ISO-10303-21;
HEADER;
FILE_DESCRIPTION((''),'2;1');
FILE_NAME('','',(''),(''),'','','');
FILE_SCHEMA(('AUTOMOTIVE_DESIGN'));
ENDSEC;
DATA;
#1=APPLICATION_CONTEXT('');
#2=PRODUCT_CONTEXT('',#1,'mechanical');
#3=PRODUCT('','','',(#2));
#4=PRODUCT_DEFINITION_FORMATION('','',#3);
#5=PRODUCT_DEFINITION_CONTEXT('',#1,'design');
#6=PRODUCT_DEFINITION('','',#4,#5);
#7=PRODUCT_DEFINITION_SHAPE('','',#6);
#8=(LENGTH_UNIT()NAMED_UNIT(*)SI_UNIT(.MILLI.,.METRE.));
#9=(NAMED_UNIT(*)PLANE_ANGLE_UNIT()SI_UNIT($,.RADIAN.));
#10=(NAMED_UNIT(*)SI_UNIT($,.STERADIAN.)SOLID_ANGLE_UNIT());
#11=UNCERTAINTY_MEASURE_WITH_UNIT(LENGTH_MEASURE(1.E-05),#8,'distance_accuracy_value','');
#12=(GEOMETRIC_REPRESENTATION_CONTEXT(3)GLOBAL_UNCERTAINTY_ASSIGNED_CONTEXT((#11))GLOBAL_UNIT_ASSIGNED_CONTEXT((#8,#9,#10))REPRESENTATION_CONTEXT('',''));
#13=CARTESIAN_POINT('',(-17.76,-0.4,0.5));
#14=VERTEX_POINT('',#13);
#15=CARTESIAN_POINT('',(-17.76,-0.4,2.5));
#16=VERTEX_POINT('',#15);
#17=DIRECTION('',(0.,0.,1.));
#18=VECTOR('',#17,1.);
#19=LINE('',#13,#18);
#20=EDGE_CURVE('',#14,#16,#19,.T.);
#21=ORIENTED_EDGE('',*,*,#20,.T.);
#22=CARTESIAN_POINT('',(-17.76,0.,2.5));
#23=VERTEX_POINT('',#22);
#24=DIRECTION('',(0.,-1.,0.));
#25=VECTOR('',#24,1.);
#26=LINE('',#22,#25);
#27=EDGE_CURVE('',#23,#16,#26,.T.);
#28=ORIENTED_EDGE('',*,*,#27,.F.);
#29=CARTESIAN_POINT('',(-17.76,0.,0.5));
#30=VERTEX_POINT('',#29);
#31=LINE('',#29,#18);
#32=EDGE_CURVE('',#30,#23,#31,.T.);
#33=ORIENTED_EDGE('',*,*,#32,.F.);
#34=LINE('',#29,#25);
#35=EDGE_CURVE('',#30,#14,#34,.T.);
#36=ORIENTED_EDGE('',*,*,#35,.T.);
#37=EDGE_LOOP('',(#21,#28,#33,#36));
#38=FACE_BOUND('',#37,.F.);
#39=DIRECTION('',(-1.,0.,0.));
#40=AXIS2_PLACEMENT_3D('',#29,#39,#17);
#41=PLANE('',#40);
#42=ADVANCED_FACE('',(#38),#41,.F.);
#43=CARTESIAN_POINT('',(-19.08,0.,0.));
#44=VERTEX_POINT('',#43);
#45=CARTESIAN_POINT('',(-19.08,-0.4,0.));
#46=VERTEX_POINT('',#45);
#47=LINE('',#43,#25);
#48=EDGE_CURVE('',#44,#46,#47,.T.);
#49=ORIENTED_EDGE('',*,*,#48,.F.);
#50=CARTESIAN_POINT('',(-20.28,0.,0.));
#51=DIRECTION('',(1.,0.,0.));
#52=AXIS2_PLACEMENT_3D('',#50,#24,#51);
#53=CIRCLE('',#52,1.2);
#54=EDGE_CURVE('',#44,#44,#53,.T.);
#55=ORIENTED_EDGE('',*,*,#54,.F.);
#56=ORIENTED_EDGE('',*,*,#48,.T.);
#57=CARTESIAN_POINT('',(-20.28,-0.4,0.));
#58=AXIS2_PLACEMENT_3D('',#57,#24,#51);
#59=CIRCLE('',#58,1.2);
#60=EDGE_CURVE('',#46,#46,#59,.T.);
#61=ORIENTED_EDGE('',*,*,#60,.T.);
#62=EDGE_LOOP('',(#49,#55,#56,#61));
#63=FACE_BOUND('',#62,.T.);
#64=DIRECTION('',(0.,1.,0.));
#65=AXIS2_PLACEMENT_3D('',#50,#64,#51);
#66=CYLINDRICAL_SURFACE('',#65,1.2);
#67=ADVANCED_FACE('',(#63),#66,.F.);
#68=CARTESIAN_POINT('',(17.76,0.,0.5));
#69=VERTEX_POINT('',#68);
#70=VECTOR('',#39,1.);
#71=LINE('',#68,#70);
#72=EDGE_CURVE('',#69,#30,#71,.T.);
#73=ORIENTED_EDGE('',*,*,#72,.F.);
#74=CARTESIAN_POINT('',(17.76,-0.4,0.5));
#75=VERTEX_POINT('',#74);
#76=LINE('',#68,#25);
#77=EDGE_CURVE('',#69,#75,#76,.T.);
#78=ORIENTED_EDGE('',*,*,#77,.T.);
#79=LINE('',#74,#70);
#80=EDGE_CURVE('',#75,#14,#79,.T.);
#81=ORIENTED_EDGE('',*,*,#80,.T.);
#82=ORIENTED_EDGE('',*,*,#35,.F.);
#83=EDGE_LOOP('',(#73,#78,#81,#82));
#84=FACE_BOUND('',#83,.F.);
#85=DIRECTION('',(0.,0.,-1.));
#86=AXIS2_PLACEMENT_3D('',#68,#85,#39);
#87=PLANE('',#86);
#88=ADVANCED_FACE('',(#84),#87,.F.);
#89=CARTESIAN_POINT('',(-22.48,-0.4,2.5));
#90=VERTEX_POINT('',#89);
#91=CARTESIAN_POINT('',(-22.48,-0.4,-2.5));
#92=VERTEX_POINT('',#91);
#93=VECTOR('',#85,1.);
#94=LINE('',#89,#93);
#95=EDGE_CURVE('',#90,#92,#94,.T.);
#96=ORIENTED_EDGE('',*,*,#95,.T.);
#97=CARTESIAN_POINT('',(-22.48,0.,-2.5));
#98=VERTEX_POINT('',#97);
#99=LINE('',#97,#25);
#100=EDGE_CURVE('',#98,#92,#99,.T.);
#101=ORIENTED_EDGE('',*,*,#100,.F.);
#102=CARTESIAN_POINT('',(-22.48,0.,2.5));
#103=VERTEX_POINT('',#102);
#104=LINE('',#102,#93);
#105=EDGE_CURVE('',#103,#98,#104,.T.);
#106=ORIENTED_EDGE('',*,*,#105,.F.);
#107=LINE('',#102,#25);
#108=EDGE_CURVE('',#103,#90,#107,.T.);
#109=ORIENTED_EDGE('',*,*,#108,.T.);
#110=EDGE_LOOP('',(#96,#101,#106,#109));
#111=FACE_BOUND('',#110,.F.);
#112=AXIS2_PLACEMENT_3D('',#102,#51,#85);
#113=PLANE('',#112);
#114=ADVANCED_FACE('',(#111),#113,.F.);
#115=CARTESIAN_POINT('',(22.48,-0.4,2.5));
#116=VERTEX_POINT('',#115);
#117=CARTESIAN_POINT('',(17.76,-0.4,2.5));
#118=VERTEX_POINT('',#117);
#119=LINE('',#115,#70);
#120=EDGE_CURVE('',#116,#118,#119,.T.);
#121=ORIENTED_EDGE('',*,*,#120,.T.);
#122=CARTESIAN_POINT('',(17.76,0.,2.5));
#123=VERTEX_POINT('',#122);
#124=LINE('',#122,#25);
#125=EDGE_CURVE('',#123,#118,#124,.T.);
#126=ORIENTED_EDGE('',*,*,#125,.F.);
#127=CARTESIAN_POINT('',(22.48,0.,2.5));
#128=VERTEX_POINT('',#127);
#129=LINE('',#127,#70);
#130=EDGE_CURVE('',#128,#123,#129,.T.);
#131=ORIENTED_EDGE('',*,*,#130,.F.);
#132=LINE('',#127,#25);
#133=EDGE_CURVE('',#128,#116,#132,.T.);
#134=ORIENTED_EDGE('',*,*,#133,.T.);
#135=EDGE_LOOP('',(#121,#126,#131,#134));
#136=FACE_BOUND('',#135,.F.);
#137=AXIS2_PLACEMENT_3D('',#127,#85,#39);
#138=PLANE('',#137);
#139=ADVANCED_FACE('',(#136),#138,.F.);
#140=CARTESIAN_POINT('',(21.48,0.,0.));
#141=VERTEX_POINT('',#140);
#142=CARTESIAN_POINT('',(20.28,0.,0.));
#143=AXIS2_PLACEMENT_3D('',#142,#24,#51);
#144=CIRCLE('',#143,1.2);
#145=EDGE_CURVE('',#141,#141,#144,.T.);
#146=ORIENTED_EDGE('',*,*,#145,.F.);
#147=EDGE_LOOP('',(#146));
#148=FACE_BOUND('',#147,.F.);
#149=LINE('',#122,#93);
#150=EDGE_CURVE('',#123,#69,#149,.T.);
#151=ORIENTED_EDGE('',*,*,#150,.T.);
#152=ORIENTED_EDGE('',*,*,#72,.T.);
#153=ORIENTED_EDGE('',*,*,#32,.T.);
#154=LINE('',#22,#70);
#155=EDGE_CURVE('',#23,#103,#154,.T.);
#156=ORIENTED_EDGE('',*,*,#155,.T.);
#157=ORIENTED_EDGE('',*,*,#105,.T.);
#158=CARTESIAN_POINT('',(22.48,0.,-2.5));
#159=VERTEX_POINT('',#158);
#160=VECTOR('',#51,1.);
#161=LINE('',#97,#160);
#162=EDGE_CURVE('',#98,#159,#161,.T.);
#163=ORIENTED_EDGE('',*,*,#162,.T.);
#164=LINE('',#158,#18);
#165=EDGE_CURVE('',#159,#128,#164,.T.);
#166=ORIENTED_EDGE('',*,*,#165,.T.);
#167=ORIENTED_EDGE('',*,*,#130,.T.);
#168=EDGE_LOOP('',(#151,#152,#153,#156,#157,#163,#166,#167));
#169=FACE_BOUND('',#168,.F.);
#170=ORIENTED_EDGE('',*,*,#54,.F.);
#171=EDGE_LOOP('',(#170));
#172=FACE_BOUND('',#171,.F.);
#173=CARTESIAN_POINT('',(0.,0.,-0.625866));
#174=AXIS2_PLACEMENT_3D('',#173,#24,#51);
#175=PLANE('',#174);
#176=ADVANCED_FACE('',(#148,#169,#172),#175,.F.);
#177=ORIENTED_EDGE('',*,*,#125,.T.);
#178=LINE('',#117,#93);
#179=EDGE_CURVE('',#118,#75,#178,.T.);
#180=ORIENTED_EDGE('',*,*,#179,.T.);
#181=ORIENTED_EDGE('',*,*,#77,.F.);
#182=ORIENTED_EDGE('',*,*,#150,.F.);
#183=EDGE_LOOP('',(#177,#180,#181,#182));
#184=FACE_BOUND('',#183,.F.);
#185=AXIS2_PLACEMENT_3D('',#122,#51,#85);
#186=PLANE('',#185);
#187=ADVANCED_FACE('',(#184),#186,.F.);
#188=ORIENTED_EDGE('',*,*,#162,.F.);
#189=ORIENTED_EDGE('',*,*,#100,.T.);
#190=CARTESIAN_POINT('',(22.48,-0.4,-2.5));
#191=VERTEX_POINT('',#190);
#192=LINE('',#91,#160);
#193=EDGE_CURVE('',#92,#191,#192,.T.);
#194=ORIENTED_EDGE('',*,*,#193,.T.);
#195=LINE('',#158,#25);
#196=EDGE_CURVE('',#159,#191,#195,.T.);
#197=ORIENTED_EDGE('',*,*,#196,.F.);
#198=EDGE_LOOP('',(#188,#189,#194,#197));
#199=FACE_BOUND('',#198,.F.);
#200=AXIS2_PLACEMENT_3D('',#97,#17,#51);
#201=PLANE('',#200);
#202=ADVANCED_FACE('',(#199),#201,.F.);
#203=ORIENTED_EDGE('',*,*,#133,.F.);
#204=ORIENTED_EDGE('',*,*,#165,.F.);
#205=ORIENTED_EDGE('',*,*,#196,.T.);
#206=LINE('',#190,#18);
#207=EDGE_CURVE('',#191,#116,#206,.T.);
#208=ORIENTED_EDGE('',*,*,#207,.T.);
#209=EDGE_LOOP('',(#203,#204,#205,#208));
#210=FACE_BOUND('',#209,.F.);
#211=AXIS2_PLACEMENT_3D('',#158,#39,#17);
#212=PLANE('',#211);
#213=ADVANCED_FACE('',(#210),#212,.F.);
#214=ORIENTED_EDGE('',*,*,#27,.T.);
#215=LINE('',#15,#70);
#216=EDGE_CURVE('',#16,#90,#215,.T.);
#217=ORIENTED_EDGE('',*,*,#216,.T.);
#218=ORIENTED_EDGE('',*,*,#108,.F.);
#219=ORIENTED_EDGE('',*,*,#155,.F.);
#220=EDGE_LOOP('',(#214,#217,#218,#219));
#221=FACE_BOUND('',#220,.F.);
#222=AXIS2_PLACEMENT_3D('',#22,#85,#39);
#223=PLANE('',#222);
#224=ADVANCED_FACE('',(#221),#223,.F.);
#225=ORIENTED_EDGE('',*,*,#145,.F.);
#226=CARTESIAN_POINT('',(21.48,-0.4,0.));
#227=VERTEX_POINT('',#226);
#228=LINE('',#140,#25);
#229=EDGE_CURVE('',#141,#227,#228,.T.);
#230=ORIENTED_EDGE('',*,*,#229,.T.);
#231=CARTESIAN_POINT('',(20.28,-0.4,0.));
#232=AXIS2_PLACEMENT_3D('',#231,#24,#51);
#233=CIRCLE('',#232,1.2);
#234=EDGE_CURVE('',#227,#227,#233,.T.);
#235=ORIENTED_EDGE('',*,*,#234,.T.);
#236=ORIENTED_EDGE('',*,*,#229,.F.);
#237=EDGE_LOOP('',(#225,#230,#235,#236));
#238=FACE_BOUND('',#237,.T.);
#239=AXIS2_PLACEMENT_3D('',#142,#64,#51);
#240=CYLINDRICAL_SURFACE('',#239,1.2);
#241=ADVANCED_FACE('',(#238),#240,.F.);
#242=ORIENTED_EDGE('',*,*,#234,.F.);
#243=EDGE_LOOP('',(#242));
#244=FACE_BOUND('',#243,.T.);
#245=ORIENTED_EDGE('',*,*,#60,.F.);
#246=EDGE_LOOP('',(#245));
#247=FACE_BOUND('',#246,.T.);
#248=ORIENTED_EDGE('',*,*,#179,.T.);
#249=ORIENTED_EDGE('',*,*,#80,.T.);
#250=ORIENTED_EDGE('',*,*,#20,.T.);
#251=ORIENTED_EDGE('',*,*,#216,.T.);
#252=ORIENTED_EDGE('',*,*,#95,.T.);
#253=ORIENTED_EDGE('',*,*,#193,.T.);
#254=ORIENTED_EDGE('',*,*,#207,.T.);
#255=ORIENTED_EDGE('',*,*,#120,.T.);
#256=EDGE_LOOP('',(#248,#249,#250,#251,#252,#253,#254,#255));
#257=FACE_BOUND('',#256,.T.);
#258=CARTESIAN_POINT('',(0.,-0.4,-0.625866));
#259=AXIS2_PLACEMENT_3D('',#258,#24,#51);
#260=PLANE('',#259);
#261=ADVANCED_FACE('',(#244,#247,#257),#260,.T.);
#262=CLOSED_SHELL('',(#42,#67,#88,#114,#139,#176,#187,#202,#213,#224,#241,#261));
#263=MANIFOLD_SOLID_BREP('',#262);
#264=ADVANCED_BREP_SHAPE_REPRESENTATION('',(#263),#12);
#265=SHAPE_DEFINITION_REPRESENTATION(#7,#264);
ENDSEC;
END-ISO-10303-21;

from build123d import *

# Parameters (mm, degrees)
F0_R     = 1.2
F1_DEPTH = 0.4


with BuildPart() as f1:
    # F0 (on Front) → F1 (new body)
    with BuildSketch(Plane.XZ):
        Polygon((-17.76, 2.5), (-22.48, 2.5), (-22.48, -2.5), (22.48, -2.5), (22.48, 2.5), (17.76, 2.5), (17.76, 0.5), (-17.76, 0.5), align=None)
        with Locations((-20.28, 0)):
            Circle(F0_R, mode=Mode.SUBTRACT)
        with Locations((20.28, 0)):
            Circle(F0_R, mode=Mode.SUBTRACT)
    extrude(amount=F1_DEPTH)


solid = f1.part
